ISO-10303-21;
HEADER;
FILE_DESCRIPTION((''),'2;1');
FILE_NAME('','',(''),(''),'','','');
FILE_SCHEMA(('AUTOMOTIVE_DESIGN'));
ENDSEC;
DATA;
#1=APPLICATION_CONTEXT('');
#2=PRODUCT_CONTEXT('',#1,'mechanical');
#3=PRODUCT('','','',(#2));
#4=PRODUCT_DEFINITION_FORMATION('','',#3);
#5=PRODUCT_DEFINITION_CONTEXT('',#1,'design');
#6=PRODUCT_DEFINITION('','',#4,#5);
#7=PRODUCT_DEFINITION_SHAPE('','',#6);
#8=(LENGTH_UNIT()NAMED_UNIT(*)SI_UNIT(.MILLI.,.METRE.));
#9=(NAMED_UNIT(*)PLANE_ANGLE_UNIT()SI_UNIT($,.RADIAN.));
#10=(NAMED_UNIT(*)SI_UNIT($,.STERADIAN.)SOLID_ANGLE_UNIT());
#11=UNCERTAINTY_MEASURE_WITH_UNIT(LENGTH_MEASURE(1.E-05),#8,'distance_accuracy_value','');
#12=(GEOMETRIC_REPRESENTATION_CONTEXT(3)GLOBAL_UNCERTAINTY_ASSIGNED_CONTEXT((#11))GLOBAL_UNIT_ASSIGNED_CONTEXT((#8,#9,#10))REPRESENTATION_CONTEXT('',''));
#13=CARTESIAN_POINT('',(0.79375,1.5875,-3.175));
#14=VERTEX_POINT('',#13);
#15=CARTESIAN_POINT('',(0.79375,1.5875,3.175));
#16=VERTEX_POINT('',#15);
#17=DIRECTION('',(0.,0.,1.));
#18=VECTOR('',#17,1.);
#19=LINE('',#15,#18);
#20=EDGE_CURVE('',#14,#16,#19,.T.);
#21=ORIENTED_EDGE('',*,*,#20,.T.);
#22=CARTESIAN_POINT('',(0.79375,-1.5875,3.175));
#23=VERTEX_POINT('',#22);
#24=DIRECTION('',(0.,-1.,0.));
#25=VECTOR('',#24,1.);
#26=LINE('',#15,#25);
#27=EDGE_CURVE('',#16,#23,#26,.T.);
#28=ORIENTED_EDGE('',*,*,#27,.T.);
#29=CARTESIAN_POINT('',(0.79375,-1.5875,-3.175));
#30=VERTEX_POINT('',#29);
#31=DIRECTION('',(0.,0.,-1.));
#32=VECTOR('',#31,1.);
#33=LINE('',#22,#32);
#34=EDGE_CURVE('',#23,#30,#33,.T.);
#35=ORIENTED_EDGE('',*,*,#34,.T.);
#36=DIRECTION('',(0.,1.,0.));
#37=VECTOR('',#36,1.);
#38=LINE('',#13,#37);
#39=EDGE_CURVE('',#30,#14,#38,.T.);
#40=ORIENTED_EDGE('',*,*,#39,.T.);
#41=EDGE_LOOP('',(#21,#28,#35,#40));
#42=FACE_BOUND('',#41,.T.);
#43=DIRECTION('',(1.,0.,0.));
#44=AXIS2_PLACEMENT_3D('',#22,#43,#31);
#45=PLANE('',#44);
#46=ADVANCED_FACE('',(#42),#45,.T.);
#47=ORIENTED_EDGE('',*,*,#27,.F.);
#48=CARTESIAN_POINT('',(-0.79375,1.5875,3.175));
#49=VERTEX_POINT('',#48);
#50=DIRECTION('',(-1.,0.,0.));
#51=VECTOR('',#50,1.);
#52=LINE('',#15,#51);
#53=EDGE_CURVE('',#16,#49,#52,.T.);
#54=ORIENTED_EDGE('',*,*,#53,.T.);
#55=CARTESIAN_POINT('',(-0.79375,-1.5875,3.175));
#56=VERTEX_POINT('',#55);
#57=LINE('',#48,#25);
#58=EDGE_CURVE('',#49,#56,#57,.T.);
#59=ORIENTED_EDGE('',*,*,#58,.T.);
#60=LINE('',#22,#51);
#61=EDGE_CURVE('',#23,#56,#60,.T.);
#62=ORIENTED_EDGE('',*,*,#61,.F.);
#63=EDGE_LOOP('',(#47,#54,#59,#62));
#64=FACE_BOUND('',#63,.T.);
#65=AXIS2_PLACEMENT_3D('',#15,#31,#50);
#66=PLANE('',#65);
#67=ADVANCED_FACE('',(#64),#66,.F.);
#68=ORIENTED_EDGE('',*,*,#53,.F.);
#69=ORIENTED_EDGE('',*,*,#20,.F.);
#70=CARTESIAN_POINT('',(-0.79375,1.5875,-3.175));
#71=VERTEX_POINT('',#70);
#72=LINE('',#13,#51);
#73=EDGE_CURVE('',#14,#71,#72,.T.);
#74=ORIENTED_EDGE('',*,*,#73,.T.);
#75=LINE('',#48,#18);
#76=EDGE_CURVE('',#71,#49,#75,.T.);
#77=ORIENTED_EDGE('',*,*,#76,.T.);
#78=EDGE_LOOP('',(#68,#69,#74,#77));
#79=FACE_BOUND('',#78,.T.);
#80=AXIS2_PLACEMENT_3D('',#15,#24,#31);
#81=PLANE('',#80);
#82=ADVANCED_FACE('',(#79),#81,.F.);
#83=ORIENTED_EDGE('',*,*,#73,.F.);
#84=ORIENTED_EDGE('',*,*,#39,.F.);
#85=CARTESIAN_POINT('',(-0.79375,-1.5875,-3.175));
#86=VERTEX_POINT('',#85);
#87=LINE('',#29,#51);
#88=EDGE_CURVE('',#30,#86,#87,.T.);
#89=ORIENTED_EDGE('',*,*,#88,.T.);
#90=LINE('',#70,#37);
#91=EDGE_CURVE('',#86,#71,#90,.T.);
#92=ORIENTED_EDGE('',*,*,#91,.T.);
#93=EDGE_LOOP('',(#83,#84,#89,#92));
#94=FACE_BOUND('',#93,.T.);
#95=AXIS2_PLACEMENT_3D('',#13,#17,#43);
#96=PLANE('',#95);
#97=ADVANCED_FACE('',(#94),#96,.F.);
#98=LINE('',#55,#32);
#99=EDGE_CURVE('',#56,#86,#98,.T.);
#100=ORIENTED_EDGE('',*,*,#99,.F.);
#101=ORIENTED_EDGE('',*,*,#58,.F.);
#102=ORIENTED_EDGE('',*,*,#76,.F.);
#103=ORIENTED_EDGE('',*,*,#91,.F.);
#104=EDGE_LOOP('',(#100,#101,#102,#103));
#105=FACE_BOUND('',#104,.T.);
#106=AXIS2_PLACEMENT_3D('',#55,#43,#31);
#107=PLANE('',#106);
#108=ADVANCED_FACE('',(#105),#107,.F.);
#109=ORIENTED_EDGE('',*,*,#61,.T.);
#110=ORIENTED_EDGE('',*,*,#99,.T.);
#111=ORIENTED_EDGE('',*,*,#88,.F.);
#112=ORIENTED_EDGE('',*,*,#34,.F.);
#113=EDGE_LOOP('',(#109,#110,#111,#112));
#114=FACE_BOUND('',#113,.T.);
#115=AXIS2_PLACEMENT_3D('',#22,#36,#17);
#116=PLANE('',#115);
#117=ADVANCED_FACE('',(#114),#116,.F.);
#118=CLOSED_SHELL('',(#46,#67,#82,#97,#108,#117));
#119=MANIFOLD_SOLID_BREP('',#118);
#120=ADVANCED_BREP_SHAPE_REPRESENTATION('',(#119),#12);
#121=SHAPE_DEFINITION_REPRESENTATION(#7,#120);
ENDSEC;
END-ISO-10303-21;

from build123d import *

# Parameters (mm, degrees)
SKETCH1_W      = 6.35
SKETCH1_H      = 3.175
EXTRUDE1_DEPTH = 0.79375


with BuildPart() as part:
    # Sketch1 → Extrude1 (new, symmetric)
    with BuildSketch(Plane(origin=(0, 0, 0), x_dir=(0, 0, -1), z_dir=(1, 0, 0))):
        Rectangle(SKETCH1_W, SKETCH1_H)
    extrude(amount=EXTRUDE1_DEPTH, both=True)


solid = part.part
